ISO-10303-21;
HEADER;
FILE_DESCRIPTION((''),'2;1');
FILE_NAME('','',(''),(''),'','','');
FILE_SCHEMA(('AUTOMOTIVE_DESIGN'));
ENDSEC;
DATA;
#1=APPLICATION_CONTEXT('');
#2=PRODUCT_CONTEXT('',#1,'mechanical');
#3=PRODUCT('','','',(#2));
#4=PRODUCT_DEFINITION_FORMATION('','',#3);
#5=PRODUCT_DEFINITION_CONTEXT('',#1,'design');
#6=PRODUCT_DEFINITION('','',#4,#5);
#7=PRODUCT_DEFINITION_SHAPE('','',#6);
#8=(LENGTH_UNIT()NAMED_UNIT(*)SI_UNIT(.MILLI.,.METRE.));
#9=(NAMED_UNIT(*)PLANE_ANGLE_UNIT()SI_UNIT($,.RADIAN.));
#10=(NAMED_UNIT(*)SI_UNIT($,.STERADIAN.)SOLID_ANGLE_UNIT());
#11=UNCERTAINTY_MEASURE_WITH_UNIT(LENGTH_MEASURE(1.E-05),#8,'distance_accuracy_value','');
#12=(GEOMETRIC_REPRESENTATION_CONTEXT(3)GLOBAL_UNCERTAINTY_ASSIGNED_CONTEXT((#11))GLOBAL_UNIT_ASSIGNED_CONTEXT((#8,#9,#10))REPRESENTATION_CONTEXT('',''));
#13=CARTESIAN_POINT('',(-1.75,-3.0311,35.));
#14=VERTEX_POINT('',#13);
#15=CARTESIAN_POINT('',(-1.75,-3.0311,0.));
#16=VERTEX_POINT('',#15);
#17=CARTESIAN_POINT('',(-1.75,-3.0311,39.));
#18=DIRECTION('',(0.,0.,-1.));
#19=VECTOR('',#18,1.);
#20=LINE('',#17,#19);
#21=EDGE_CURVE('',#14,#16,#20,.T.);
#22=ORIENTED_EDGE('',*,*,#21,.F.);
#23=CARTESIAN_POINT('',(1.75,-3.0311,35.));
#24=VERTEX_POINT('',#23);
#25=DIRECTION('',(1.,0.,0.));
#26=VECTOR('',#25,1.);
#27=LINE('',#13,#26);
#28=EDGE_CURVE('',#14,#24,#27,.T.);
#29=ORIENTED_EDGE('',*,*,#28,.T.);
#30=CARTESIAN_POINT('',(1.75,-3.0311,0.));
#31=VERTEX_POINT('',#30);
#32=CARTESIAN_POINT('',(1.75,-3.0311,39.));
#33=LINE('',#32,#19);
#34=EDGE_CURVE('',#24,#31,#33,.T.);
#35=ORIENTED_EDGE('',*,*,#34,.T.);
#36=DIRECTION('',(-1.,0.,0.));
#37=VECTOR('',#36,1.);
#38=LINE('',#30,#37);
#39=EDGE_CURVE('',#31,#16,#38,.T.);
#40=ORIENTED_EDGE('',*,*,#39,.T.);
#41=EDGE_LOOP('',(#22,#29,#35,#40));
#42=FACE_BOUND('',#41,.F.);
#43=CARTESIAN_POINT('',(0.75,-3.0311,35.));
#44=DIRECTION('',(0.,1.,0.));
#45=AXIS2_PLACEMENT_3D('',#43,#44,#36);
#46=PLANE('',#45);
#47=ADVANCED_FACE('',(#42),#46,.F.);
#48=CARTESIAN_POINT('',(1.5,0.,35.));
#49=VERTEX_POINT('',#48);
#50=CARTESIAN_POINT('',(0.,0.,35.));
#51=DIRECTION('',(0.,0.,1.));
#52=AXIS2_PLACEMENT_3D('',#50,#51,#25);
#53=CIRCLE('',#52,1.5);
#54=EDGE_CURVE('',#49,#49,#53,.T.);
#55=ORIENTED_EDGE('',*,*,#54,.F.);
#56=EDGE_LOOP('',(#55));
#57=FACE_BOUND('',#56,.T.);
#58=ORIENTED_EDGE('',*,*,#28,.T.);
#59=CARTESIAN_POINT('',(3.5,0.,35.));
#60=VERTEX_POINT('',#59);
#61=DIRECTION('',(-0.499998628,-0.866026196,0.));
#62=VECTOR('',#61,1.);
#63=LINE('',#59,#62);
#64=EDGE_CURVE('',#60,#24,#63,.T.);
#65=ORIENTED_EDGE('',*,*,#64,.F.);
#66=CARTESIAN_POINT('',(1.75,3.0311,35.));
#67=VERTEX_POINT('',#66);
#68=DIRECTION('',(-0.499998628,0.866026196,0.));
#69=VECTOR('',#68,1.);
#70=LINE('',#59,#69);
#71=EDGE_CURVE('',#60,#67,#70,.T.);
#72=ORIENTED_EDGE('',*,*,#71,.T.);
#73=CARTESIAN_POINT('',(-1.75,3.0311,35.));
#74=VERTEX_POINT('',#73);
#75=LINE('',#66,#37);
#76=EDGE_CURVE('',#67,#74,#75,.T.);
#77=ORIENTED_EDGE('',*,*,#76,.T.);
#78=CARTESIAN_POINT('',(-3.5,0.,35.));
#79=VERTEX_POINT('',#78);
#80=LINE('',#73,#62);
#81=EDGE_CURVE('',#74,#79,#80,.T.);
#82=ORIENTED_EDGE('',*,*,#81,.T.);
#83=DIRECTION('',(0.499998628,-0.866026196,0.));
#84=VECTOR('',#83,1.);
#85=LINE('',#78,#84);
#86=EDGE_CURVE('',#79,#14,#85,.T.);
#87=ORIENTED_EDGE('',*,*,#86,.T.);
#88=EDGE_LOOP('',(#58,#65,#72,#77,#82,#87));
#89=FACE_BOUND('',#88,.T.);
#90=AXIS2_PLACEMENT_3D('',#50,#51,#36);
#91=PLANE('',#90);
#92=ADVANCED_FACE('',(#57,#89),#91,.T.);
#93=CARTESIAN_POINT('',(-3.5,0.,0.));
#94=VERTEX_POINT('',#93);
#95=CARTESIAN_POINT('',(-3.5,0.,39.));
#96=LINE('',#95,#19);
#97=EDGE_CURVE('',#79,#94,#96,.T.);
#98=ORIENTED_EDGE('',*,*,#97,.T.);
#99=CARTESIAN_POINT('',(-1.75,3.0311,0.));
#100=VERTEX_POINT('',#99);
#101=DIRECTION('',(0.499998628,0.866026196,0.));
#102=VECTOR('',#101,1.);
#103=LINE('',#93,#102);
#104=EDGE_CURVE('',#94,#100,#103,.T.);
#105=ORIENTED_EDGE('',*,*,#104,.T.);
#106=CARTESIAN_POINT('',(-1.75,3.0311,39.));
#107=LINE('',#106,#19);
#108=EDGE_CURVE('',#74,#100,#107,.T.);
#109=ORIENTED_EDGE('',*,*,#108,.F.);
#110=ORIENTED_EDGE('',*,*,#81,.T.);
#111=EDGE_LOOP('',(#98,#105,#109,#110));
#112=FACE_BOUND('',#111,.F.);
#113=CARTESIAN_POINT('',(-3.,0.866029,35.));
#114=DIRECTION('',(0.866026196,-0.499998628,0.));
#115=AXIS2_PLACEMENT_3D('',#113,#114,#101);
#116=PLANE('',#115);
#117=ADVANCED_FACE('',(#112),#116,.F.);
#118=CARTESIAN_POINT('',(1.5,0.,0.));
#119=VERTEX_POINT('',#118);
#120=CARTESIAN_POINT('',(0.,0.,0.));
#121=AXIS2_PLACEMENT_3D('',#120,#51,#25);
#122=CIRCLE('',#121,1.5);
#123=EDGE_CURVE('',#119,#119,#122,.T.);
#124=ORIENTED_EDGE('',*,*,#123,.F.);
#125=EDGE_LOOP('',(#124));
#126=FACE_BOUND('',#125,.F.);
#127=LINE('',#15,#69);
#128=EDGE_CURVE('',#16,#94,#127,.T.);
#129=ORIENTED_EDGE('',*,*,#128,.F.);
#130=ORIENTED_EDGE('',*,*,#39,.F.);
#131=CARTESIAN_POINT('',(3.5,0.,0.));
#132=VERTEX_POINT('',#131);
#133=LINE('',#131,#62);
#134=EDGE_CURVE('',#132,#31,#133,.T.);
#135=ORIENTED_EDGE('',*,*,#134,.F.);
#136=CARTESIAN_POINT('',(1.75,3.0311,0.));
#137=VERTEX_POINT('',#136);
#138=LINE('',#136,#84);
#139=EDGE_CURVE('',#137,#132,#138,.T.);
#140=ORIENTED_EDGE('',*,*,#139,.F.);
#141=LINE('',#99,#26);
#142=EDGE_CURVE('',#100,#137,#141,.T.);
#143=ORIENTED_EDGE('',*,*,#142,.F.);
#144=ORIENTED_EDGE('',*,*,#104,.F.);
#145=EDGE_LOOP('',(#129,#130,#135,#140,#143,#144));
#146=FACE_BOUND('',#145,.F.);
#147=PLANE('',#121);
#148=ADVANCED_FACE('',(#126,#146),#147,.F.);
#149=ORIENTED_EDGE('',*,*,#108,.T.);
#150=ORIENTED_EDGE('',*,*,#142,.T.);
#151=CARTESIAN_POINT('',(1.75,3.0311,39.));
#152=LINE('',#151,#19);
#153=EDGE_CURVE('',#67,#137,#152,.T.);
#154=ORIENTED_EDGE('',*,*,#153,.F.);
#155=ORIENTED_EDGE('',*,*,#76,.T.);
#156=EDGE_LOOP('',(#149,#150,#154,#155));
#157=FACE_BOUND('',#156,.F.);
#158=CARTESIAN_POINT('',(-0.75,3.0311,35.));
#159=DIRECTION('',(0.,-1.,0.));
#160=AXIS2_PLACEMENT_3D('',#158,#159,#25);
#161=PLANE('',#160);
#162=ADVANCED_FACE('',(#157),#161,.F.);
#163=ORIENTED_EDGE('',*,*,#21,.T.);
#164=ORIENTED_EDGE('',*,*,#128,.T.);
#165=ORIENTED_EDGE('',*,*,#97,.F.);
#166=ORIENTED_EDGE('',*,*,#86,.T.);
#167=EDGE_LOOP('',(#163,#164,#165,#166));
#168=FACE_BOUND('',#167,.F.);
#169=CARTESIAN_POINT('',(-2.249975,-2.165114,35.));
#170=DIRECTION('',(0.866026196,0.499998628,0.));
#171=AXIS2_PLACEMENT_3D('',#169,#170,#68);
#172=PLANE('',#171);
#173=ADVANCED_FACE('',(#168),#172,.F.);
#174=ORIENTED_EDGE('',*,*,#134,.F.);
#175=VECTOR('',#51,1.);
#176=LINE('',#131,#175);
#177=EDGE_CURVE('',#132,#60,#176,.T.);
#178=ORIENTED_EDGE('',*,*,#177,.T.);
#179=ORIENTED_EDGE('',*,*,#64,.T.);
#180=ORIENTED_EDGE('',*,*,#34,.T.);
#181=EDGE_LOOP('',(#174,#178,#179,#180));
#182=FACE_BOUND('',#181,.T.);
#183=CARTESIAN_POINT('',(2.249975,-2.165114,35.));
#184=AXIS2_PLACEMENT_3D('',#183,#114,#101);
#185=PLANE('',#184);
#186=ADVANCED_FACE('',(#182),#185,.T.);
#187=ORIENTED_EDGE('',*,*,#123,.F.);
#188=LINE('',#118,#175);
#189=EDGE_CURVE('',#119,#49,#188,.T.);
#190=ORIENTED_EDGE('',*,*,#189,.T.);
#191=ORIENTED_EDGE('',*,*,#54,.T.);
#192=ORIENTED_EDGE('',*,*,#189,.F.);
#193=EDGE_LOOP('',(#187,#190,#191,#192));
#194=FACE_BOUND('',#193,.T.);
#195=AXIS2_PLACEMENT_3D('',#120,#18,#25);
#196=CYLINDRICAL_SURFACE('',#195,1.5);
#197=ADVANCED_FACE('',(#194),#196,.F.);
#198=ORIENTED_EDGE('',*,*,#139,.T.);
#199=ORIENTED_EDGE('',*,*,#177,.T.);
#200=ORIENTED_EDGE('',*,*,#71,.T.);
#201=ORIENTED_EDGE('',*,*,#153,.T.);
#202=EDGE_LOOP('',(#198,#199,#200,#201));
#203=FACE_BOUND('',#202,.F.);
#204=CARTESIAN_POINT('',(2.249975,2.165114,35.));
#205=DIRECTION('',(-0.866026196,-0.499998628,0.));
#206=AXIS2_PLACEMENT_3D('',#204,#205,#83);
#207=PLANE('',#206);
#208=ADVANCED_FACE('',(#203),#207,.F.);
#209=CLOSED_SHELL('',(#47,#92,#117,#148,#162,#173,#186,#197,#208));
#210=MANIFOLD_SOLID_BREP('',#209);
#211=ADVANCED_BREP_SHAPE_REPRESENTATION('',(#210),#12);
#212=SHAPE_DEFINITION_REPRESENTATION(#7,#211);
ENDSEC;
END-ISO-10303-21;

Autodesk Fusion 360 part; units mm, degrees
sketch "スケッチ1" plane through (0, 0, 0) normal (0, 0, 1) x (1, 0, 0)
  line L0 (3, 1.7321) -> (0, 3.4641)
  line L1 (0, 3.4641) -> (-3, 1.7321)
  line L2 (-3, 1.7321) -> (-3, -1.7321)
  line L3 (-3, -1.7321) -> (0, -3.4641)
  line L4 (0, -3.4641) -> (3, -1.7321)
  line L5 (3, -1.7321) -> (3, 1.7321)
  circle A0 centre (0, 0) radius 1.5
extrude "押し出し1" add sketch "スケッチ1" along normal blind 35
sketch "スケッチ2" plane through (0, 0, 35) normal (0, 0, 1) x (-1, 0, 0)
  circle A0 centre (0, 0) radius 1.5
  line L0 (-3, 1.7321) -> (-3, -1.7321)
  line L1 (-3, -1.7321) -> (0, -3.4641)
  line L2 (0, -3.4641) -> (3, -1.7321)
  line L3 (3, -1.7321) -> (3, 1.7321)
  line L4 (3, 1.7321) -> (0, 3.4641)
  line L5 (0, 3.4641) -> (-3, 1.7321)
  line L6 (-3.5, 0) -> (-1.75, -3.0311)
  line L7 (-1.75, -3.0311) -> (1.75, -3.0311)
  line L8 (1.75, -3.0311) -> (3.5, 0)
  line L9 (3.5, 0) -> (1.75, 3.0311)
  line L10 (1.75, 3.0311) -> (-1.75, 3.0311)
  line L11 (-1.75, 3.0311) -> (-3.5, 0)
extrude "押し出し2" add sketch "スケッチ2" along normal blind 4 contours L0 L1 L2 L3 L4 L5 L6 L7 L8 L9 L10 L11 | L0 L6 L11 | L5 L10 L11 | L1 L6 L7 | L4 L9 L10 | L2 L7 L8 | L3 L8 L9
extrude "押し出し3" cut 6 faces at (0, -3.1754, 35) (2.75, -1.5877, 35) (-2.75, -1.5877, 35) (-2.75, 1.5877, 35) (0, 3.1754, 35) (2.75, 1.5877, 35) along direction (0, 0, -1) blind 40
extrude "押し出し4" add 6 faces at (1.5833, 2.7424, 35) (3.1667, 0, 35) (-1.5833, 2.7424, 35) (1.5833, -2.7424, 35) (-1.5833, -2.7424, 35) (-3.1667, 0, 35) along direction (0, 0, -1) blind 35
extrude "押し出し5" cut 1 faces at (2.2005, 1.2273, 39) along direction (0, 0, -1) blind 4
